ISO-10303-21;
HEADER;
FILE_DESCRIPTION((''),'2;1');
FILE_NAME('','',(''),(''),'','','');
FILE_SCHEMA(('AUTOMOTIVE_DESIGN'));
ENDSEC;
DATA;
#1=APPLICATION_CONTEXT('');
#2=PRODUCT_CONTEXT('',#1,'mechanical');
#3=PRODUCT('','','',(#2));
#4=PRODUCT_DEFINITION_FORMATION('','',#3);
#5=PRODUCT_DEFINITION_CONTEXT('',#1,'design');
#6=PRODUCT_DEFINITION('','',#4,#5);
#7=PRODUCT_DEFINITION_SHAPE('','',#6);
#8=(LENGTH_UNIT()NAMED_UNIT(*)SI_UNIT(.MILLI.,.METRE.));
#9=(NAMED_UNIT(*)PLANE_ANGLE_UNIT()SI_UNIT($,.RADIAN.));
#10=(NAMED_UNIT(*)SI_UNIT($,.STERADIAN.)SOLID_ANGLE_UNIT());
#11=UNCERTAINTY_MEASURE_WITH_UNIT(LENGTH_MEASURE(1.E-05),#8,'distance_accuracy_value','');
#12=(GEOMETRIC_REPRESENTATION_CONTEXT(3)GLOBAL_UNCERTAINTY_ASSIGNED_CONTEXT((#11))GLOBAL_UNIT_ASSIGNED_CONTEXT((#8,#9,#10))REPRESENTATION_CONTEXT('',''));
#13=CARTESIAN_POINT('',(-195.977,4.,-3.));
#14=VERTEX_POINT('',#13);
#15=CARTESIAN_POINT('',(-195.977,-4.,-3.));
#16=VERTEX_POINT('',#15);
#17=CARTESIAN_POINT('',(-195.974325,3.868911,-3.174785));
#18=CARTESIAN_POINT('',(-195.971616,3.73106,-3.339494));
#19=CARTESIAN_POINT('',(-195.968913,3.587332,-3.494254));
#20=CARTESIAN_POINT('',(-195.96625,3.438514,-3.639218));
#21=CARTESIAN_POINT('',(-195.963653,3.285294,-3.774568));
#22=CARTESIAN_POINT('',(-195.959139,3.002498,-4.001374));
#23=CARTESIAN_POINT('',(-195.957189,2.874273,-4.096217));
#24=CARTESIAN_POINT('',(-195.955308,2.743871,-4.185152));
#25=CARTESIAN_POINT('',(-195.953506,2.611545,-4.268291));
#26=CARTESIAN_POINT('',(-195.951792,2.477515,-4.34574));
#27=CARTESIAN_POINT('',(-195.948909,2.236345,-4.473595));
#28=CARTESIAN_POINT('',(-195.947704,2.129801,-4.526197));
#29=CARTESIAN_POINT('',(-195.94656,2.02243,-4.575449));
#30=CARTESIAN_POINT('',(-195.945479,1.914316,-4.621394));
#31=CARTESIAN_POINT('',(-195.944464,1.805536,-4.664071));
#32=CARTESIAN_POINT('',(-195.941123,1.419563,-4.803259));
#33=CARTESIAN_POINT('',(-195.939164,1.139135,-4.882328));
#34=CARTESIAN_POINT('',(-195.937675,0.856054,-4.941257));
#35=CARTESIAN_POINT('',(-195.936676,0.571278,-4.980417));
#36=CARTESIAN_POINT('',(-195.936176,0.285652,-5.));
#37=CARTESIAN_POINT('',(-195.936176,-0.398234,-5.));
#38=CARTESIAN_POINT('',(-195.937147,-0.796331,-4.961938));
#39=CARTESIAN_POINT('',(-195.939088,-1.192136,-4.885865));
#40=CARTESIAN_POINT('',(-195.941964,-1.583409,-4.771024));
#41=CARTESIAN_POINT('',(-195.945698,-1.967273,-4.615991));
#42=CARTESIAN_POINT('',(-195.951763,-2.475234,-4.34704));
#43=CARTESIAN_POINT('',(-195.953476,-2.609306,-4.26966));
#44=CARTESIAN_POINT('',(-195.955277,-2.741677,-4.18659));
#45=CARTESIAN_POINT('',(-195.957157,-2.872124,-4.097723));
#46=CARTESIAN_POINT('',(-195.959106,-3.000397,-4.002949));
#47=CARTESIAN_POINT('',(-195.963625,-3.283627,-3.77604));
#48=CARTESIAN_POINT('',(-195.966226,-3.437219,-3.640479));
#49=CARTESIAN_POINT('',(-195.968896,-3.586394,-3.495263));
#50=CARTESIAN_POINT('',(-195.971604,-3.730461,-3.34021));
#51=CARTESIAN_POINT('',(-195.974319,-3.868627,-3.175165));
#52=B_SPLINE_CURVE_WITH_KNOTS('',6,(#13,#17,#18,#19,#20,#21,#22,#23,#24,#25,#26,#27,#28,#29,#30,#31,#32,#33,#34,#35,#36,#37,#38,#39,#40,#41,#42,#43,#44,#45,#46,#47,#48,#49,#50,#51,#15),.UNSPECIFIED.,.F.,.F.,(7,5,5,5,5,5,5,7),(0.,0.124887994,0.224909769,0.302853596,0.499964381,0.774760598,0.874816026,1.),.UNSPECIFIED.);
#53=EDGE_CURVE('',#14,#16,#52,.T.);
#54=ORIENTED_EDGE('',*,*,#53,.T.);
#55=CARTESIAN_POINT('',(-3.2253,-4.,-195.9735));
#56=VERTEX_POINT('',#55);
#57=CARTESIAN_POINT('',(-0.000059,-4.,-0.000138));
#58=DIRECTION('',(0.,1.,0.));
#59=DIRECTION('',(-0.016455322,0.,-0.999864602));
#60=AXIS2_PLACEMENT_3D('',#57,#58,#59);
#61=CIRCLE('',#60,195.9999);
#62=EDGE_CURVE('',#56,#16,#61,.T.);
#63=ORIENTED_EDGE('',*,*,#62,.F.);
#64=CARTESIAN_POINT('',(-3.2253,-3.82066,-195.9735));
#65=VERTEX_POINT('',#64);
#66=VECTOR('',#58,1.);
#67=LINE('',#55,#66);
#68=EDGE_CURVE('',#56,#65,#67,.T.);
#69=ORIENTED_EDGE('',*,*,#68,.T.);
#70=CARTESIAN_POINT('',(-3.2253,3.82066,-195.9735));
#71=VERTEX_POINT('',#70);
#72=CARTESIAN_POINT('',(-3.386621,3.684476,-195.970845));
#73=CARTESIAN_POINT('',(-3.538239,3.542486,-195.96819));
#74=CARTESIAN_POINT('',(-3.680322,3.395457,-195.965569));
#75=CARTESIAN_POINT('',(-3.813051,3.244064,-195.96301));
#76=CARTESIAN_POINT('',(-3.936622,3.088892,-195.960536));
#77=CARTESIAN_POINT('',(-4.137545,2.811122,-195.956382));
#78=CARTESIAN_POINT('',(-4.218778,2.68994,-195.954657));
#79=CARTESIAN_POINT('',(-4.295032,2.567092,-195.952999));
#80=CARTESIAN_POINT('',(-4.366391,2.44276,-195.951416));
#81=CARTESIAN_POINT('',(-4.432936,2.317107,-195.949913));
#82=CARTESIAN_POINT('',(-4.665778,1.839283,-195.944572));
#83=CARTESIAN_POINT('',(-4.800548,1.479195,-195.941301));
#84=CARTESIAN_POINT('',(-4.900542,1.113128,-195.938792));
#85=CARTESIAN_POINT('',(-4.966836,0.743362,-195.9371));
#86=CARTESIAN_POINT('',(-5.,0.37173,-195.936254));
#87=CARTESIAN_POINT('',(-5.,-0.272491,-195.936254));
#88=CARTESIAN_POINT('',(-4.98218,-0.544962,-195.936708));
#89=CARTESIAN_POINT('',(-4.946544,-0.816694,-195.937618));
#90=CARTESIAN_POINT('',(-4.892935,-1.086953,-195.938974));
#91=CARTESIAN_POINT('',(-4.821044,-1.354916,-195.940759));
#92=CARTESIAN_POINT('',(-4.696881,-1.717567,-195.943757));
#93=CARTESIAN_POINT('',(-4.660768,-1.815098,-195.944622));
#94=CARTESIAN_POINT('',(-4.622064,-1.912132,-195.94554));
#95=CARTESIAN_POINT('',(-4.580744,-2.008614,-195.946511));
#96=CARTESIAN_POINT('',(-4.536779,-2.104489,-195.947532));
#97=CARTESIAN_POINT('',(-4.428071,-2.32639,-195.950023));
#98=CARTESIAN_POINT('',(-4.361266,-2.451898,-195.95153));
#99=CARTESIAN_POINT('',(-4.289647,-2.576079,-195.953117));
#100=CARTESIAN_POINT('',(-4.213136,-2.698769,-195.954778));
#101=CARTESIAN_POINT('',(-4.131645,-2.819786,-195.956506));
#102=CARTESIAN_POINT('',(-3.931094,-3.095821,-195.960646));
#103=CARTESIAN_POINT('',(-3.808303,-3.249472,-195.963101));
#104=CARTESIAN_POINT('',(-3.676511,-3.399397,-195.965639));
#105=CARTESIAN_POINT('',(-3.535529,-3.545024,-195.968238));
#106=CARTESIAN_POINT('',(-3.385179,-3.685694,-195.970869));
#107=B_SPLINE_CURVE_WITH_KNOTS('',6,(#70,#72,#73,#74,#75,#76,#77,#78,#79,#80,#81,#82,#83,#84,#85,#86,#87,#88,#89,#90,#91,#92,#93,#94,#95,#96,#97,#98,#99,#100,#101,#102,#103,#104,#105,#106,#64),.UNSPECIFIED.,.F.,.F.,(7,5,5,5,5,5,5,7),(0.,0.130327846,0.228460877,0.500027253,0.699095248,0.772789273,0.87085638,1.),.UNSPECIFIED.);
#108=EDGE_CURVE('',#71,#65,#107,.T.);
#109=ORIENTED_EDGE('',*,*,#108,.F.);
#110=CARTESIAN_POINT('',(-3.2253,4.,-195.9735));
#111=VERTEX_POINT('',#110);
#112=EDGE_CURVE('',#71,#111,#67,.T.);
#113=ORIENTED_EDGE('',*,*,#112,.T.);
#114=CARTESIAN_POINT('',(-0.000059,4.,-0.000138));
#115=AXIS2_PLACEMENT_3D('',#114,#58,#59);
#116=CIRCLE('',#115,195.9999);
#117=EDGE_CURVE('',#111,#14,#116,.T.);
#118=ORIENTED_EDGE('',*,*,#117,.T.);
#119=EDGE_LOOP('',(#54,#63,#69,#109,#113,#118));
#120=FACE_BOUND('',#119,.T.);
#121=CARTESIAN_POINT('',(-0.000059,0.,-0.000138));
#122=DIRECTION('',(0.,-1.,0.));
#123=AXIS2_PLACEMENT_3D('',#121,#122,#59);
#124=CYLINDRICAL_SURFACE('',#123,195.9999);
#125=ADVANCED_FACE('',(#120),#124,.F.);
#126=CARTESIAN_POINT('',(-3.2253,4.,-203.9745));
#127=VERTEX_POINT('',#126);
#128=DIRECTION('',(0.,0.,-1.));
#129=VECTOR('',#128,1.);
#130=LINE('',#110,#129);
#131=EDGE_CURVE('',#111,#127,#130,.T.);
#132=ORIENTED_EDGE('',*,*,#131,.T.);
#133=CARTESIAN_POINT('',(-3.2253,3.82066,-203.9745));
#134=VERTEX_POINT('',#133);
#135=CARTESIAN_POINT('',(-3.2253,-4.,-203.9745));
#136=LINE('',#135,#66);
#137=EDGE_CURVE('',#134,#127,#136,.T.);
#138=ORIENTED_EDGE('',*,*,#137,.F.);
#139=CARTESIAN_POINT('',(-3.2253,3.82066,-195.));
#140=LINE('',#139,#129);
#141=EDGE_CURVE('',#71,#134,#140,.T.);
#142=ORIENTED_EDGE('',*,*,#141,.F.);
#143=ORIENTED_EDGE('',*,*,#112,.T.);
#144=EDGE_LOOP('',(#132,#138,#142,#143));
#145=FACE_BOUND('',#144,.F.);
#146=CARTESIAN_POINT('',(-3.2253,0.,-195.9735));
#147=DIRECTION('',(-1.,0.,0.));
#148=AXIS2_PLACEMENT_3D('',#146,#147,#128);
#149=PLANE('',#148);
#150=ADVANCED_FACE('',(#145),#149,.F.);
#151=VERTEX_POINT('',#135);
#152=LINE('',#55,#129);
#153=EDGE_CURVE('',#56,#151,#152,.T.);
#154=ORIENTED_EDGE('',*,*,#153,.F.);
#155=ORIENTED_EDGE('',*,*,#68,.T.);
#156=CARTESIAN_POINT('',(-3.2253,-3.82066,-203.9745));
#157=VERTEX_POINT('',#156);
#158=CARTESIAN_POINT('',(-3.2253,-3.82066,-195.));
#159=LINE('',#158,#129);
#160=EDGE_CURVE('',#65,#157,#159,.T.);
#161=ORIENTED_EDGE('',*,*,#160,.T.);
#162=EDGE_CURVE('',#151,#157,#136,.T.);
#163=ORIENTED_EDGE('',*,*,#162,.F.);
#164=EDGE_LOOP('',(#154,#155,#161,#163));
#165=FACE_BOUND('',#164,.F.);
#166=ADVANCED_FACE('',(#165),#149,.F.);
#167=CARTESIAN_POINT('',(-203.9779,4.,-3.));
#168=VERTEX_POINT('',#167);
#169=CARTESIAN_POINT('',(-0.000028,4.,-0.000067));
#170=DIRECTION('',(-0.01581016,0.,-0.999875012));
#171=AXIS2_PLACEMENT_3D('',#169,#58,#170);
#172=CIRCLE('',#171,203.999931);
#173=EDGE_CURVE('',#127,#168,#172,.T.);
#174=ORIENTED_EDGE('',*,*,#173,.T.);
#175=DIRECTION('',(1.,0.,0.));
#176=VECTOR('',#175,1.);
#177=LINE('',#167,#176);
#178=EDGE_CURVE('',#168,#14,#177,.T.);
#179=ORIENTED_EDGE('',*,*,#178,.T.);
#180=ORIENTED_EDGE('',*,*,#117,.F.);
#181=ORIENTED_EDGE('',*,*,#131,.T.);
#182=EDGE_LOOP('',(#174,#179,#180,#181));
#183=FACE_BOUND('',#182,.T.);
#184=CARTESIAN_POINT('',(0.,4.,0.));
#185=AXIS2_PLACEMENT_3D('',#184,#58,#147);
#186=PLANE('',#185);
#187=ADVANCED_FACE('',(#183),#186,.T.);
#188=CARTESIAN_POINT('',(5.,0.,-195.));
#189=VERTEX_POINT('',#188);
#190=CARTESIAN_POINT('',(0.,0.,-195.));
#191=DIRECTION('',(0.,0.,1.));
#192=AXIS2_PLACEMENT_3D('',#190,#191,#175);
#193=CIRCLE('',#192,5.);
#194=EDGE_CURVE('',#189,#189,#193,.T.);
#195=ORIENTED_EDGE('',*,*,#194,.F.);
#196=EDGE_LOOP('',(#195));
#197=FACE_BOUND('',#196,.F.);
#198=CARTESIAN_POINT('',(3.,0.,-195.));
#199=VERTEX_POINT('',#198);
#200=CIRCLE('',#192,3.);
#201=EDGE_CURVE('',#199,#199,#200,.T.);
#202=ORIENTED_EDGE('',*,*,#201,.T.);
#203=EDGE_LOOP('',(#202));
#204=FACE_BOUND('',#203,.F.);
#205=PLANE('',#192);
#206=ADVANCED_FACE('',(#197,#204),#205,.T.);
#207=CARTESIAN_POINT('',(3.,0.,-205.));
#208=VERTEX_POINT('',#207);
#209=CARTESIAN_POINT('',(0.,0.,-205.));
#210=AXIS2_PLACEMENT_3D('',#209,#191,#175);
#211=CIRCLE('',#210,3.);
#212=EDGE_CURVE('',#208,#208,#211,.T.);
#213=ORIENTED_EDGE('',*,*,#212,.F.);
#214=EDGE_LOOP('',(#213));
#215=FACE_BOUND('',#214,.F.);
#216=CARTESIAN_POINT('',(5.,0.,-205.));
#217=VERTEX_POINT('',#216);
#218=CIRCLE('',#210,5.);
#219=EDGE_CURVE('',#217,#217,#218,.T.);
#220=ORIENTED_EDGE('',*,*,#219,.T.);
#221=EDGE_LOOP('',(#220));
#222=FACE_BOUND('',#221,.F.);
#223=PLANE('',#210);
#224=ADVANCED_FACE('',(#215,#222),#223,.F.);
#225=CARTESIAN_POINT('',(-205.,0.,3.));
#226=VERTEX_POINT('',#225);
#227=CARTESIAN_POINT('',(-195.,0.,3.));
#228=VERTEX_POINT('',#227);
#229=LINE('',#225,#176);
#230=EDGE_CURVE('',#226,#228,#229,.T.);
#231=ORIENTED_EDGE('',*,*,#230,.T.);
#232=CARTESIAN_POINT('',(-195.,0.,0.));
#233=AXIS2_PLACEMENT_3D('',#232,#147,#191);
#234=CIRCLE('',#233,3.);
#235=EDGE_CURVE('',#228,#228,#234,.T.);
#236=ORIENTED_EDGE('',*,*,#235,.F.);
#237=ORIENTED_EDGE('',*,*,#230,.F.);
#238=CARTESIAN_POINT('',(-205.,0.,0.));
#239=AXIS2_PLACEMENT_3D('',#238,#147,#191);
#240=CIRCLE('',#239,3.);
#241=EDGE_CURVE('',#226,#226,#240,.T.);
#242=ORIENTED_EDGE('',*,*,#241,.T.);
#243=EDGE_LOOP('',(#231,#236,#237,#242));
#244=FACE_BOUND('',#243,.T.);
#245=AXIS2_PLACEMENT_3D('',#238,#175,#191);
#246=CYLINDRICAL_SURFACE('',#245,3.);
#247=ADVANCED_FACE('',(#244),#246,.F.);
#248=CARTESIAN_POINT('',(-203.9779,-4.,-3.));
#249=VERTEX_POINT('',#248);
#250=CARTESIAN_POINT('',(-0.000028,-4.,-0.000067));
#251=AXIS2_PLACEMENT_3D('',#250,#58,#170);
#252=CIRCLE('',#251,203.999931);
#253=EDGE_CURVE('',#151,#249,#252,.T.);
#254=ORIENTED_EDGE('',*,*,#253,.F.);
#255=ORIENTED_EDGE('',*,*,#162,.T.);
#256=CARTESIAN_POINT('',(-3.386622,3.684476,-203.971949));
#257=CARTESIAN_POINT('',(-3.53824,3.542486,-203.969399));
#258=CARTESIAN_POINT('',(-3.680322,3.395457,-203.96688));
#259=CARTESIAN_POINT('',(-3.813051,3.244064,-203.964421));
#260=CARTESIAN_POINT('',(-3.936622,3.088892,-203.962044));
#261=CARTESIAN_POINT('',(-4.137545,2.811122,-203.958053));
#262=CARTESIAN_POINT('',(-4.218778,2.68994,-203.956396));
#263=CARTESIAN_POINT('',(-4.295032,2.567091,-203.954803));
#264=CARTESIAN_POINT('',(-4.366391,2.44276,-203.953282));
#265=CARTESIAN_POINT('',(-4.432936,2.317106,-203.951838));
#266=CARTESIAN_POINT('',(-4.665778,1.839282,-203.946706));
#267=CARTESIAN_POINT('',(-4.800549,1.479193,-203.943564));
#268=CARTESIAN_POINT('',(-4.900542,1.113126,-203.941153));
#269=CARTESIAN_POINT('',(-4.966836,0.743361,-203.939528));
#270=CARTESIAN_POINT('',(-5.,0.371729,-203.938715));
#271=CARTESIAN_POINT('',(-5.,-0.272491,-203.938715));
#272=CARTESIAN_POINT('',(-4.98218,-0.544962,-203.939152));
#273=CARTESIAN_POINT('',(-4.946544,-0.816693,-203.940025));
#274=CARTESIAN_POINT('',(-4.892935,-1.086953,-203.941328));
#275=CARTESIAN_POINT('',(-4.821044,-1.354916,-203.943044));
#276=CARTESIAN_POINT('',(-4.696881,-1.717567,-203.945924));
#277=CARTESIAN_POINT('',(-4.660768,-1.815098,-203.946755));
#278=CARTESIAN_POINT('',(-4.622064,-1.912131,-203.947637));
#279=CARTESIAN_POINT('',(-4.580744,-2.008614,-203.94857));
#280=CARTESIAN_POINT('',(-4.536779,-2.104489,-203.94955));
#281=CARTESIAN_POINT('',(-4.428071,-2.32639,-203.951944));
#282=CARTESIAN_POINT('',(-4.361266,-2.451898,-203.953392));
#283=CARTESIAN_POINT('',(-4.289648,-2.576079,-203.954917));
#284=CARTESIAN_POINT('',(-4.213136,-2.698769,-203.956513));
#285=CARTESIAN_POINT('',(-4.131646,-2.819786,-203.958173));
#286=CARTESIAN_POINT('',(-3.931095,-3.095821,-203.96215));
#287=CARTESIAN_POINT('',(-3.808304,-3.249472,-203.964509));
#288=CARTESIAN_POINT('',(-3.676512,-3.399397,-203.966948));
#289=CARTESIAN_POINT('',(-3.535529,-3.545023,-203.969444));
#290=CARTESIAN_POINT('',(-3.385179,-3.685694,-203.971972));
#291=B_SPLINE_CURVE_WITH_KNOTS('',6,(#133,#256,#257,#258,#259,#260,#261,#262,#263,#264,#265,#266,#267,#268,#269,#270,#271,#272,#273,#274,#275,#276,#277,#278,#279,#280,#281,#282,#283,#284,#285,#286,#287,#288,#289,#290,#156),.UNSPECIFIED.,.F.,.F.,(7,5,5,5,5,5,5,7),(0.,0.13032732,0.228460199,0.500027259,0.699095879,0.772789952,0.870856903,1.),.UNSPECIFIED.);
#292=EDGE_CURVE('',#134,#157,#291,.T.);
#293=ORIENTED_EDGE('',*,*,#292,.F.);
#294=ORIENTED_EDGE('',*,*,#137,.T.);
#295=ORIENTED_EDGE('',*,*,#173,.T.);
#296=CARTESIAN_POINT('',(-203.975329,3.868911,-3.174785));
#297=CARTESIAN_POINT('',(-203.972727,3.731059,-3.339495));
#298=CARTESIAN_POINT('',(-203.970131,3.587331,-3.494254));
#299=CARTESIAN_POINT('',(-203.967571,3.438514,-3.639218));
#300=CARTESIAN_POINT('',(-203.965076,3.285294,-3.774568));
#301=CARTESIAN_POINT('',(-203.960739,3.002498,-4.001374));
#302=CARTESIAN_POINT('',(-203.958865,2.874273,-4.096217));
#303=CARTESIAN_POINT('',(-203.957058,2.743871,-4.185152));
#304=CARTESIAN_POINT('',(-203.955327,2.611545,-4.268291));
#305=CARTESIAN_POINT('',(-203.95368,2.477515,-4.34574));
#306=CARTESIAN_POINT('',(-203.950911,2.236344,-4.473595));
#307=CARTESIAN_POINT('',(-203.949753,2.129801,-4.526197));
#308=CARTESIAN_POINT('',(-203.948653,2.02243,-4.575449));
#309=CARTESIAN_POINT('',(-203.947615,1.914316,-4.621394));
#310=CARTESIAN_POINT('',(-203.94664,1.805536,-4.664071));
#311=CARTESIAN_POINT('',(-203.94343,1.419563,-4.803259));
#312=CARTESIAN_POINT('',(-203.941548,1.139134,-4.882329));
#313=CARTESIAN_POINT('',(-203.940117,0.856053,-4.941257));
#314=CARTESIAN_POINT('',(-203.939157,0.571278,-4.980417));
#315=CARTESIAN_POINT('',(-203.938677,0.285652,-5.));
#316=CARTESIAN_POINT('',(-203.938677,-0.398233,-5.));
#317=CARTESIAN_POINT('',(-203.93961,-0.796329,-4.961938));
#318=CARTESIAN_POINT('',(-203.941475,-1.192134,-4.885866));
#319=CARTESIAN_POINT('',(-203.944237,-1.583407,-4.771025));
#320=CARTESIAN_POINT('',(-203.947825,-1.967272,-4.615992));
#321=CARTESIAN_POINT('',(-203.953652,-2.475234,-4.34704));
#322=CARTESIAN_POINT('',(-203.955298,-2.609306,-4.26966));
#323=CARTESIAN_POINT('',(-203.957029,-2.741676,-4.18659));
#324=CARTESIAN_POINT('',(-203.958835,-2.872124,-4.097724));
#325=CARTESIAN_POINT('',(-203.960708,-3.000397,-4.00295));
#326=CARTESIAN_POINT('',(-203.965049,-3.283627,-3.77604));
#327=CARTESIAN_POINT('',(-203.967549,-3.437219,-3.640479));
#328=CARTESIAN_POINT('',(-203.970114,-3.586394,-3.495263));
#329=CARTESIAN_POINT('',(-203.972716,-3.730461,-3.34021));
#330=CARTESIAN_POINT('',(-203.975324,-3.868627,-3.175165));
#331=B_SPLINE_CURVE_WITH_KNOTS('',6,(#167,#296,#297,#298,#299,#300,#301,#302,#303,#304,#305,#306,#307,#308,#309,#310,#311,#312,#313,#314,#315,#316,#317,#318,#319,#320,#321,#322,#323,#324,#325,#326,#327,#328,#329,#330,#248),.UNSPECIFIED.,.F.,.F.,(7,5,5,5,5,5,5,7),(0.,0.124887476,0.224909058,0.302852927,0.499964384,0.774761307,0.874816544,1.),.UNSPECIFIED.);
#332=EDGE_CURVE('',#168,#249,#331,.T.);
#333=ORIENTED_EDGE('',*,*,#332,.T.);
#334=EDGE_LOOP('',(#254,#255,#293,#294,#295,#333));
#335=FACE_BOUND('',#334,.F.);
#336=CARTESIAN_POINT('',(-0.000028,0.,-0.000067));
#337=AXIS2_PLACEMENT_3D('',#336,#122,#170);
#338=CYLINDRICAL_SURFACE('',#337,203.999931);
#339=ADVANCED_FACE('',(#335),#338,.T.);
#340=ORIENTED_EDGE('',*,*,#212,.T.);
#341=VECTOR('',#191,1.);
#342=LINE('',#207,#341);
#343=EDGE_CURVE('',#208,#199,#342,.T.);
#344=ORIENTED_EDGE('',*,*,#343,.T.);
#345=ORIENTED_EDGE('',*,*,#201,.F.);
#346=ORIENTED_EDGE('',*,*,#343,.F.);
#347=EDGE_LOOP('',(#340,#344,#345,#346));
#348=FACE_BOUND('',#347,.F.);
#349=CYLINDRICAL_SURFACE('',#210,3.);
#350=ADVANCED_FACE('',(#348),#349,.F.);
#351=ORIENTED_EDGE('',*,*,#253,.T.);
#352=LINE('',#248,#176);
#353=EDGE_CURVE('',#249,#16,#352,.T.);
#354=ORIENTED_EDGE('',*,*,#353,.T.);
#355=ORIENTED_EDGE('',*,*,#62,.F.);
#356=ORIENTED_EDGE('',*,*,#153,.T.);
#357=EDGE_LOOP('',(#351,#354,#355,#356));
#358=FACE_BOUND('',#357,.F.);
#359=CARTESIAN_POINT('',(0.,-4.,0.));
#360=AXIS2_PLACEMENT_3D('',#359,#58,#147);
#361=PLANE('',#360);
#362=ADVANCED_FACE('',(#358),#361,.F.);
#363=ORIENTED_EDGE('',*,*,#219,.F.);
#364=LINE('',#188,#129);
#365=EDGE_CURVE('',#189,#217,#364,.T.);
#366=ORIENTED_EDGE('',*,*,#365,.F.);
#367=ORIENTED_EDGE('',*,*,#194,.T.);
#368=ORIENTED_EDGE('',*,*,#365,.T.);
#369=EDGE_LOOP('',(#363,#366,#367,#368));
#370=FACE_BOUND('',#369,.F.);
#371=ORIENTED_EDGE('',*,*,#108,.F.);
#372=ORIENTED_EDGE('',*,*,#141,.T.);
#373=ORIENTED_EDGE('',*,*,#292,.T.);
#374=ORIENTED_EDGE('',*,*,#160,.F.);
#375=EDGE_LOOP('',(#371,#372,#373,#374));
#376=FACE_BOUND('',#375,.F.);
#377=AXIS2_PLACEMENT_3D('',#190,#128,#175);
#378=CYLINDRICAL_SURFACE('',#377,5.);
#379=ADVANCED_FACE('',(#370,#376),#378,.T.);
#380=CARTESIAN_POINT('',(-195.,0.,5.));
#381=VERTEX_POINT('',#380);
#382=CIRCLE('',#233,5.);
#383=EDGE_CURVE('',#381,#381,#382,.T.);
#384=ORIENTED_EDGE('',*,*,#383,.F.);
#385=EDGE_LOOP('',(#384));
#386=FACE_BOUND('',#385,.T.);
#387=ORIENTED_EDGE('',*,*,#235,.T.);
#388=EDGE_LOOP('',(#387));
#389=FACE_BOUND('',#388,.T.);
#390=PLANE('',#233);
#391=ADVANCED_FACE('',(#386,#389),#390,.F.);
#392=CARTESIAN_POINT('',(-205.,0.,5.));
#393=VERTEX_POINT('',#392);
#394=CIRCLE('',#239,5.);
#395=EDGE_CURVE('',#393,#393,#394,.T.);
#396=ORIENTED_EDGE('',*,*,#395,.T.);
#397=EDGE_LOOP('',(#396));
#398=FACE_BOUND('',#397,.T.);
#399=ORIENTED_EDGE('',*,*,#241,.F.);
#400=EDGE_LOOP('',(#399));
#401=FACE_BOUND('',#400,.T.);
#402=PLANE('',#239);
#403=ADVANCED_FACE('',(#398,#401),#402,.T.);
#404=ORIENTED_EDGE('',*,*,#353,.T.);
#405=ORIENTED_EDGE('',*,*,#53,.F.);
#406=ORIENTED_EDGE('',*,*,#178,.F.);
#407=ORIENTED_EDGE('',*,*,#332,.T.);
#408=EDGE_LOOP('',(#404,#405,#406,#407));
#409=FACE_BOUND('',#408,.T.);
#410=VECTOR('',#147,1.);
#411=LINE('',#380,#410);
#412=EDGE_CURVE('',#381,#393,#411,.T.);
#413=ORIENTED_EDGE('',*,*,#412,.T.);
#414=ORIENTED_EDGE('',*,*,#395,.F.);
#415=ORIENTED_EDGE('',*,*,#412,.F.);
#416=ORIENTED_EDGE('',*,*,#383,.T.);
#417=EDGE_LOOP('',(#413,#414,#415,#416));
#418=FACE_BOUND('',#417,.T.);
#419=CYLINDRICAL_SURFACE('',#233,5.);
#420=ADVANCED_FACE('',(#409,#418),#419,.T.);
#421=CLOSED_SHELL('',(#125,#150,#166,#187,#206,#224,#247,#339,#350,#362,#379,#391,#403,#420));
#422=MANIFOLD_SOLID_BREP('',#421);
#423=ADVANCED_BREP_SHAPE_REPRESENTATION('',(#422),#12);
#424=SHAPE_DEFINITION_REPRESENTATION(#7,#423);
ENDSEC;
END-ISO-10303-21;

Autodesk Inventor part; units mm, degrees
ref_plane "YZ Plane" through (0, 0, 0) normal (1, 0, 0) x (0, 1, 0)
ref_plane "XZ Plane" through (0, 0, 0) normal (0, 1, 0) x (-1, 0, 0)
ref_plane "XY Plane" through (0, 0, 0) normal (0, 0, 1) x (1, 0, 0)
sketch "スケッチ1" plane through (0, 0, 0) normal (0, 1, 0) x (-1, 0, 0)
  line L0 (0, -149.7212) -> (0, 30.7869) projected
  line L1 (-30.7969, 0) -> (149.7814, 0) projected
  arc A0 (3.2253, -195.9735) -> (195.977, -3) centre (0, 0) ccw
  arc A1 (3.2253, -203.9745) -> (203.9779, -3) centre (0, 0) ccw
  line L2 (195, 3) -> (195, 5)
  line L3 (195, 5) -> (205, 5)
  line L4 (205, 5) -> (205, 3)
  line L5 (205, 3) -> (195, 3)
  line L6 (203.9779, -3) -> (195.977, -3)
  line L7 (-3, -195) -> (-5, -195)
  line L8 (-5, -195) -> (-5, -205)
  line L9 (-5, -205) -> (-3, -205)
  line L10 (-3, -205) -> (-3, -195)
  line L11 (3.2253, -195.9735) -> (3.2253, -203.9745)
  dimension "d0" = 204
  dimension "d1" = 196
  dimension "d2" = 205
  dimension "d3" = 195
  dimension "d4" = 5
  dimension "d5" = 3
  dimension "d6" = 195
  dimension "d7" = 205
  dimension "d8" = 5
  dimension "d9" = 3
  dimension "d14" = 3
  dimension "d15" = 3.2253
extrude "押し出し1" add sketch "スケッチ1" along normal mid plane 8 contours A0 L6 A1 L11
revolve "回転1" add sketch "スケッチ1" angle 360 about axis through (0, 0, 0) along (-1, 0, 0) contours L2 L3 L4 L5
revolve "回転2" add sketch "スケッチ1" angle 360 about axis through (0, 0, 0) along (0, 0, 1) contours L10 L9 L8 L7
equation "\"d0\" = FrameRadius + 0.5 * FrameThickness"
equation "\"d1\" = FrameRadius - 0.5 * FrameThickness"
equation "\"d2\" = FrameRadius + 0.5 * BossLength"
equation "\"d3\" = FrameRadius - 0.5 * BossLength"
equation "\"d4\" = BossRadius"
equation "\"d5\" = BossHoleRadius"
equation "\"d6\" = FrameRadius - 0.5 * BossLength"
equation "\"d7\" = FrameRadius + 0.5 * BossLength"
equation "\"d8\" = BossRadius"
equation "\"d9\" = BossHoleRadius"
equation "\"d14\" = BossHoleRadius"
equation "\"d10\" = FrameThickness"
equation "\"FrameThickness\" = 8"
equation "\"BossRadius\" = 5"
equation "\"BossHoleRadius\" = 3"
equation "\"FrameRadius\" = 200"
equation "\"BossLength\" = 10"
properties part number "ArcFrameRa"
